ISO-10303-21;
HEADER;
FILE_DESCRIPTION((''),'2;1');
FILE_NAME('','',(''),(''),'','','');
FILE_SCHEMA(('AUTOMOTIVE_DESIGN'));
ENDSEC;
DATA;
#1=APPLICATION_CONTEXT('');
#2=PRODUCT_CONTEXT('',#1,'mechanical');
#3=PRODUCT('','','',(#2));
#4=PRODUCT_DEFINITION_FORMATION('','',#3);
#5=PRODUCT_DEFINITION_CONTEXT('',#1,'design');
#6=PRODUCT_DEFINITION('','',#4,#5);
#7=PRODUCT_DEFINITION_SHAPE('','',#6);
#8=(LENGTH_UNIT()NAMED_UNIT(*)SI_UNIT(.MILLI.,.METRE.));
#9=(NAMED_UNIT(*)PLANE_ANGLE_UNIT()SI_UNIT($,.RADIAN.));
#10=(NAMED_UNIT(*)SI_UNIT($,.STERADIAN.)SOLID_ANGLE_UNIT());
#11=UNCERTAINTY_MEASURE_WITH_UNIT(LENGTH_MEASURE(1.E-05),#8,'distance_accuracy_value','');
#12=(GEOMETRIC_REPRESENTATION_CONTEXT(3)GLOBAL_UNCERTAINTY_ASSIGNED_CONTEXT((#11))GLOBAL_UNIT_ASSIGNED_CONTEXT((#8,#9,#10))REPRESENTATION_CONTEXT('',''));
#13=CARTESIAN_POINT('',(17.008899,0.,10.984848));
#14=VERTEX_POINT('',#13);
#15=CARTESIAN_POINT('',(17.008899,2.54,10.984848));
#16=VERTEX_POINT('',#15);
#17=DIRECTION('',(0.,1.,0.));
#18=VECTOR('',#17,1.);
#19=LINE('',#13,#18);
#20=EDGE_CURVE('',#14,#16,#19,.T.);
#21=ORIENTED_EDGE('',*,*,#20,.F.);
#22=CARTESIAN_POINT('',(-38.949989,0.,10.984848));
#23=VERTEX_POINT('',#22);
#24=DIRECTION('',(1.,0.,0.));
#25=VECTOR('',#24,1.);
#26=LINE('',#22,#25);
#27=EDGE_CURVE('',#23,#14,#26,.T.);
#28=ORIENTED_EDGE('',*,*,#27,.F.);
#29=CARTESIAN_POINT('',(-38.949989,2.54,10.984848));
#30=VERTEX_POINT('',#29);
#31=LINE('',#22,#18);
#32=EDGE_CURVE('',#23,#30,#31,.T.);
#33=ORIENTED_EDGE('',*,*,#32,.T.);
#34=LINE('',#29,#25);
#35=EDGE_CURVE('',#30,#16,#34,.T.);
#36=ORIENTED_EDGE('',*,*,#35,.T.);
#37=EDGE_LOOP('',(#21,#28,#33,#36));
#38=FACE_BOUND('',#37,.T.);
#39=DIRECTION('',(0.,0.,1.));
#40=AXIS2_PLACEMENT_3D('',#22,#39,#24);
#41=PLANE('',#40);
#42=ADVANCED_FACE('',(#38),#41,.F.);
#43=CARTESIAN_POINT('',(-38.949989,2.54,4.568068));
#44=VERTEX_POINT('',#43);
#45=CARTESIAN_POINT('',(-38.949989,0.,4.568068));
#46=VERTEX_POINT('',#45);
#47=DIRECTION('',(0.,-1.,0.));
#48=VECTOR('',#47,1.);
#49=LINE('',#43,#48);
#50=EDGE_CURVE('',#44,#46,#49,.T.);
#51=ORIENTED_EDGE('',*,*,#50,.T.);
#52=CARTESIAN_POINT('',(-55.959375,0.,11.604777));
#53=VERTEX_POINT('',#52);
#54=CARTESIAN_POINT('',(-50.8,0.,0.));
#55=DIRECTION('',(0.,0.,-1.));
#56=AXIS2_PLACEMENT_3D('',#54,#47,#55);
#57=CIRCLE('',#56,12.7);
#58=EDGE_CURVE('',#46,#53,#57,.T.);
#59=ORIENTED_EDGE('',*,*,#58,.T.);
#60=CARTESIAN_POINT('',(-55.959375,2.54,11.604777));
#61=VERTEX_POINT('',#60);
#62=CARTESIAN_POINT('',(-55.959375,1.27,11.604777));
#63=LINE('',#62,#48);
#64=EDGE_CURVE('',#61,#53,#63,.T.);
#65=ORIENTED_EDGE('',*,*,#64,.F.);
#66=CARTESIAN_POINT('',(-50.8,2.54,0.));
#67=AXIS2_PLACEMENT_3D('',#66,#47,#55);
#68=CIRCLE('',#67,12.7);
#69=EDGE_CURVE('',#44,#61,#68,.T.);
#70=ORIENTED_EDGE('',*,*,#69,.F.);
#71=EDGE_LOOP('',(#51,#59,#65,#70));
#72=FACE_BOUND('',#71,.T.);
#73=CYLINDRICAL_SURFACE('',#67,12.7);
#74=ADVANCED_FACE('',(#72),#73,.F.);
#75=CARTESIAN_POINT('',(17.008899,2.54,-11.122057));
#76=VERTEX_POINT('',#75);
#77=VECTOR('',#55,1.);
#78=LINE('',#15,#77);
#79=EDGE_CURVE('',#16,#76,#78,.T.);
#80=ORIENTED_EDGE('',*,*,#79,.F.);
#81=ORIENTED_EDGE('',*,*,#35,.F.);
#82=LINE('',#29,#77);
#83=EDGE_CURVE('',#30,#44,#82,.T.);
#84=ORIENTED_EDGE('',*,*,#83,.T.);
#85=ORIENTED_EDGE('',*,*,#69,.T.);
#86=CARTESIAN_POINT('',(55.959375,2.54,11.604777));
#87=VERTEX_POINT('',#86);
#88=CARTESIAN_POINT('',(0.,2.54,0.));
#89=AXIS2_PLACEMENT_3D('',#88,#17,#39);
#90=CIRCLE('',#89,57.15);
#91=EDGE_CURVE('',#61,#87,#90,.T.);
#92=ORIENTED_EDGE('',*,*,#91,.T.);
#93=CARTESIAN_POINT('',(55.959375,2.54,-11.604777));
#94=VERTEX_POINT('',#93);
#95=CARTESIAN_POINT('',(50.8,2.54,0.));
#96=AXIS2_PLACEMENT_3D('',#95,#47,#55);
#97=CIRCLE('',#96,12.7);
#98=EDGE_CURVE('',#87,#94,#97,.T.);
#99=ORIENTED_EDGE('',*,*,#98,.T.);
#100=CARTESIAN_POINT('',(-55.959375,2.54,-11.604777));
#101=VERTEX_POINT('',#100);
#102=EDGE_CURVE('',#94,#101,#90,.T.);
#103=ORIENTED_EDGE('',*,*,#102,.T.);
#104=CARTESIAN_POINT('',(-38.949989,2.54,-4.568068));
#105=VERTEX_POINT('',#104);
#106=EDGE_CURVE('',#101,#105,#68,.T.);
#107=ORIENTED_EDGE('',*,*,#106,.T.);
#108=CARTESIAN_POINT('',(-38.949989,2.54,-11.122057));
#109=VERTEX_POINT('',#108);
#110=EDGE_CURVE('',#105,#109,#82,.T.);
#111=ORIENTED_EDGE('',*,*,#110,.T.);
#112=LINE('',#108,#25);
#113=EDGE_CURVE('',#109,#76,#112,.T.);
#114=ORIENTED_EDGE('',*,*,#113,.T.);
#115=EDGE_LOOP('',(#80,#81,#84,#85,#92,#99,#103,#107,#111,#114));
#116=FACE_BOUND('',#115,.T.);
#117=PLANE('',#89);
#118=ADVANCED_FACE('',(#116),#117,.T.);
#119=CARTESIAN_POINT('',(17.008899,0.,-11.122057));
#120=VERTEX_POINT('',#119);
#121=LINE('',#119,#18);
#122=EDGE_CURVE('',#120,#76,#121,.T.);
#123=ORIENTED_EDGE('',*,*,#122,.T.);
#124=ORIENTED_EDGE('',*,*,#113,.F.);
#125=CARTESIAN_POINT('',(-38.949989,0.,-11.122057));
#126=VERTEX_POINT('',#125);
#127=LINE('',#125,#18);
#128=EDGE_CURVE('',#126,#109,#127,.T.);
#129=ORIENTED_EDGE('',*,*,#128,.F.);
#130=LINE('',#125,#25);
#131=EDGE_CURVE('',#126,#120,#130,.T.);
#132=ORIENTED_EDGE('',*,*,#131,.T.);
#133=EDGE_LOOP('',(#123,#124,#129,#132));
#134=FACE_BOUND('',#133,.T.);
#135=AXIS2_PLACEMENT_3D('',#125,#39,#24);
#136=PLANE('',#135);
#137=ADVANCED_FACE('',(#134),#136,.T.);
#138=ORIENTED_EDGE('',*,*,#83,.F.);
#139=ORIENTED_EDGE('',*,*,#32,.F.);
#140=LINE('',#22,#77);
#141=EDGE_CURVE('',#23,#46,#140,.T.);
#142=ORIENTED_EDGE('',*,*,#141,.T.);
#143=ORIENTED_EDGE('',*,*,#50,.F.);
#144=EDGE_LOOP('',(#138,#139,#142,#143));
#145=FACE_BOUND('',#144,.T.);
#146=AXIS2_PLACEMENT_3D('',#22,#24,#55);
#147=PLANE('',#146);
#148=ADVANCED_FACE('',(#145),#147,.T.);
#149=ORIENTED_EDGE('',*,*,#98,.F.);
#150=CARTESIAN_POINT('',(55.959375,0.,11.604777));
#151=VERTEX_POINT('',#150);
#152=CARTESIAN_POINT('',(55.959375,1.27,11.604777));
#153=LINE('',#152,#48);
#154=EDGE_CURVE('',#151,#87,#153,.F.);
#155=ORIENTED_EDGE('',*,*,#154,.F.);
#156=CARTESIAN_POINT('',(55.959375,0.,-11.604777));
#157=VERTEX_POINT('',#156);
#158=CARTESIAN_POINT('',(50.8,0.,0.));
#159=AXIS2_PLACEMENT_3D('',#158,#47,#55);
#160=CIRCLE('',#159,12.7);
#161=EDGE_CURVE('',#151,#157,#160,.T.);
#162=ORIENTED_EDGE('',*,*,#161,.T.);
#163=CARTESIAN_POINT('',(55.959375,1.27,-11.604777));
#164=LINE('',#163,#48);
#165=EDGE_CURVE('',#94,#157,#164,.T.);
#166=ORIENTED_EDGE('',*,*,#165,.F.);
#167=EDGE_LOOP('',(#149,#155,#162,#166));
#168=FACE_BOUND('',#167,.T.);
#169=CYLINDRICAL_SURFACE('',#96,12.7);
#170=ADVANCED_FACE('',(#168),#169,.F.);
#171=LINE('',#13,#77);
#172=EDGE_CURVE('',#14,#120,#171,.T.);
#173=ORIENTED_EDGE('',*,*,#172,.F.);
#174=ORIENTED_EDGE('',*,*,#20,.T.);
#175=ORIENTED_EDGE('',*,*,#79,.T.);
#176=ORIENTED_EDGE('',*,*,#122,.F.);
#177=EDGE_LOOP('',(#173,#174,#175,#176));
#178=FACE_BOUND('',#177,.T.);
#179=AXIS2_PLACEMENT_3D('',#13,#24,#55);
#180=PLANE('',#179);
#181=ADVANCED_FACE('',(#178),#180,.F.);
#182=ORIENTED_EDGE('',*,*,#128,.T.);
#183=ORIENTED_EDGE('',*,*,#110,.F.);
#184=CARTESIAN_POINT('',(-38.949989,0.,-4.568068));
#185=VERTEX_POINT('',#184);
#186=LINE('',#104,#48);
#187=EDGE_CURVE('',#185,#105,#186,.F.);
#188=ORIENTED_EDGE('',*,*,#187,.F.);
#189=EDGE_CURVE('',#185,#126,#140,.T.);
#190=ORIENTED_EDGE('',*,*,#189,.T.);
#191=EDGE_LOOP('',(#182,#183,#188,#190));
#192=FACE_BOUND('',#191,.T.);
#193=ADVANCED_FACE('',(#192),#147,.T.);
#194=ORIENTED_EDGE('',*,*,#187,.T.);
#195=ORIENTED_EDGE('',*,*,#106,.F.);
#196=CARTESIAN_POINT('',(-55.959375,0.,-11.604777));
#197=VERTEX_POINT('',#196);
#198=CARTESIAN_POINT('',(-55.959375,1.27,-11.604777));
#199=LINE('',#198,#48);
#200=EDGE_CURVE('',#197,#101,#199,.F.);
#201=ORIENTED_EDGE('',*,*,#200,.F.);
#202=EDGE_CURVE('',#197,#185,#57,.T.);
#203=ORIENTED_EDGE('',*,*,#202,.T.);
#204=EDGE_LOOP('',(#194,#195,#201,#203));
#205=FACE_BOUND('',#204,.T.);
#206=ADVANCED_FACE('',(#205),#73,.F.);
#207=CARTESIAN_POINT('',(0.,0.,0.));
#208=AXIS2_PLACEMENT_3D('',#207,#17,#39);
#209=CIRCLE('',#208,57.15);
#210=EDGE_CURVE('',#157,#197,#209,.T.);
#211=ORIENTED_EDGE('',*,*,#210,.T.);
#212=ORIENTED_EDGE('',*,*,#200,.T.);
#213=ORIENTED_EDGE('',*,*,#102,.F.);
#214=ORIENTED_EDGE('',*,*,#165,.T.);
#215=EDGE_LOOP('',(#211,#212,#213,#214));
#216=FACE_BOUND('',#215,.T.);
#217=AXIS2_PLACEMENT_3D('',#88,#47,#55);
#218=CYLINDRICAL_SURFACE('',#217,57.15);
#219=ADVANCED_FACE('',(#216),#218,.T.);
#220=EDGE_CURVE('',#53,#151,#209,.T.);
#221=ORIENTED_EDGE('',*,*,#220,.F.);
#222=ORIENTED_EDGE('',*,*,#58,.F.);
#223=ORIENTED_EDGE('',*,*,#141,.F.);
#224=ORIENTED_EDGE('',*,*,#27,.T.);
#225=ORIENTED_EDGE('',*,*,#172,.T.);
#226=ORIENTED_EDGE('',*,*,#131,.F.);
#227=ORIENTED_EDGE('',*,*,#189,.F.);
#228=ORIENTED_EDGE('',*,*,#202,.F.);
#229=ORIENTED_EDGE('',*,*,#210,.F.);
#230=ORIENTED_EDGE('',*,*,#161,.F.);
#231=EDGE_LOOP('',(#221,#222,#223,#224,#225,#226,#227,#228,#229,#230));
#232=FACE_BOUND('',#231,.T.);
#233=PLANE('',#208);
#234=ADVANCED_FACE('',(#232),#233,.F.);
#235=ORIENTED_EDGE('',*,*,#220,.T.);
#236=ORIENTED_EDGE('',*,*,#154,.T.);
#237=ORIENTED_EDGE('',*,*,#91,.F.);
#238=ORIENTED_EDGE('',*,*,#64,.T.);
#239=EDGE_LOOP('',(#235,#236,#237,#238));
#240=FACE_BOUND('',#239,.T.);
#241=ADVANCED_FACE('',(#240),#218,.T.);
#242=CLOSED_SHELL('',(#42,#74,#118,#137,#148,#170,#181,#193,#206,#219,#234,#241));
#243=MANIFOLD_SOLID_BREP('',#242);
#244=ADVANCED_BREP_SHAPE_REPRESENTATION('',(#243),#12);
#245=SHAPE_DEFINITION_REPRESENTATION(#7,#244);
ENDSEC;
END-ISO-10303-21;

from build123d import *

# Parameters (mm, degrees)
SKETCH1_R           = 57.15
BOSS_EXTRUDE1_DEPTH = 2.54
SKETCH3_W           = 55.958888442
SKETCH3_H           = 22.106904705
CUT_EXTRUDE1_DEPTH  = 2.54
SKETCH4_R           = 12.7
CUT_EXTRUDE2_DEPTH  = 2.54
SKETCH5_R           = 12.7
CUT_EXTRUDE3_DEPTH  = 2.54


with BuildPart() as part:
    # Sketch1 → Boss-Extrude1 (new body)
    with BuildSketch(Plane(origin=(0, 0, 0), x_dir=(1, 0, 0), z_dir=(0, 1, 0))):
        Circle(SKETCH1_R)
    extrude(amount=BOSS_EXTRUDE1_DEPTH)

    # Sketch3 → Cut-Extrude1 (cut)
    with BuildSketch(Plane(origin=(0, 2.54, 0), x_dir=(1, 0, 0), z_dir=(0, 1, 0))):
        with Locations((-10.970545038, 0.068604303)):
            Rectangle(SKETCH3_W, SKETCH3_H)
    extrude(amount=-CUT_EXTRUDE1_DEPTH, mode=Mode.SUBTRACT)

    # Sketch4 → Cut-Extrude2 (cut)
    with BuildSketch(Plane(origin=(0, 0, 0), x_dir=(-1, 0, 0), z_dir=(0, -1, 0))):
        with Locations((50.8, 0)):
            Circle(SKETCH4_R)
    extrude(amount=-CUT_EXTRUDE2_DEPTH, mode=Mode.SUBTRACT)

    # Sketch5 → Cut-Extrude3 (cut)
    with BuildSketch(Plane.XZ):
        with Locations((50.8, 0)):
            Circle(SKETCH5_R)
    extrude(amount=-CUT_EXTRUDE3_DEPTH, mode=Mode.SUBTRACT)


solid = part.part
